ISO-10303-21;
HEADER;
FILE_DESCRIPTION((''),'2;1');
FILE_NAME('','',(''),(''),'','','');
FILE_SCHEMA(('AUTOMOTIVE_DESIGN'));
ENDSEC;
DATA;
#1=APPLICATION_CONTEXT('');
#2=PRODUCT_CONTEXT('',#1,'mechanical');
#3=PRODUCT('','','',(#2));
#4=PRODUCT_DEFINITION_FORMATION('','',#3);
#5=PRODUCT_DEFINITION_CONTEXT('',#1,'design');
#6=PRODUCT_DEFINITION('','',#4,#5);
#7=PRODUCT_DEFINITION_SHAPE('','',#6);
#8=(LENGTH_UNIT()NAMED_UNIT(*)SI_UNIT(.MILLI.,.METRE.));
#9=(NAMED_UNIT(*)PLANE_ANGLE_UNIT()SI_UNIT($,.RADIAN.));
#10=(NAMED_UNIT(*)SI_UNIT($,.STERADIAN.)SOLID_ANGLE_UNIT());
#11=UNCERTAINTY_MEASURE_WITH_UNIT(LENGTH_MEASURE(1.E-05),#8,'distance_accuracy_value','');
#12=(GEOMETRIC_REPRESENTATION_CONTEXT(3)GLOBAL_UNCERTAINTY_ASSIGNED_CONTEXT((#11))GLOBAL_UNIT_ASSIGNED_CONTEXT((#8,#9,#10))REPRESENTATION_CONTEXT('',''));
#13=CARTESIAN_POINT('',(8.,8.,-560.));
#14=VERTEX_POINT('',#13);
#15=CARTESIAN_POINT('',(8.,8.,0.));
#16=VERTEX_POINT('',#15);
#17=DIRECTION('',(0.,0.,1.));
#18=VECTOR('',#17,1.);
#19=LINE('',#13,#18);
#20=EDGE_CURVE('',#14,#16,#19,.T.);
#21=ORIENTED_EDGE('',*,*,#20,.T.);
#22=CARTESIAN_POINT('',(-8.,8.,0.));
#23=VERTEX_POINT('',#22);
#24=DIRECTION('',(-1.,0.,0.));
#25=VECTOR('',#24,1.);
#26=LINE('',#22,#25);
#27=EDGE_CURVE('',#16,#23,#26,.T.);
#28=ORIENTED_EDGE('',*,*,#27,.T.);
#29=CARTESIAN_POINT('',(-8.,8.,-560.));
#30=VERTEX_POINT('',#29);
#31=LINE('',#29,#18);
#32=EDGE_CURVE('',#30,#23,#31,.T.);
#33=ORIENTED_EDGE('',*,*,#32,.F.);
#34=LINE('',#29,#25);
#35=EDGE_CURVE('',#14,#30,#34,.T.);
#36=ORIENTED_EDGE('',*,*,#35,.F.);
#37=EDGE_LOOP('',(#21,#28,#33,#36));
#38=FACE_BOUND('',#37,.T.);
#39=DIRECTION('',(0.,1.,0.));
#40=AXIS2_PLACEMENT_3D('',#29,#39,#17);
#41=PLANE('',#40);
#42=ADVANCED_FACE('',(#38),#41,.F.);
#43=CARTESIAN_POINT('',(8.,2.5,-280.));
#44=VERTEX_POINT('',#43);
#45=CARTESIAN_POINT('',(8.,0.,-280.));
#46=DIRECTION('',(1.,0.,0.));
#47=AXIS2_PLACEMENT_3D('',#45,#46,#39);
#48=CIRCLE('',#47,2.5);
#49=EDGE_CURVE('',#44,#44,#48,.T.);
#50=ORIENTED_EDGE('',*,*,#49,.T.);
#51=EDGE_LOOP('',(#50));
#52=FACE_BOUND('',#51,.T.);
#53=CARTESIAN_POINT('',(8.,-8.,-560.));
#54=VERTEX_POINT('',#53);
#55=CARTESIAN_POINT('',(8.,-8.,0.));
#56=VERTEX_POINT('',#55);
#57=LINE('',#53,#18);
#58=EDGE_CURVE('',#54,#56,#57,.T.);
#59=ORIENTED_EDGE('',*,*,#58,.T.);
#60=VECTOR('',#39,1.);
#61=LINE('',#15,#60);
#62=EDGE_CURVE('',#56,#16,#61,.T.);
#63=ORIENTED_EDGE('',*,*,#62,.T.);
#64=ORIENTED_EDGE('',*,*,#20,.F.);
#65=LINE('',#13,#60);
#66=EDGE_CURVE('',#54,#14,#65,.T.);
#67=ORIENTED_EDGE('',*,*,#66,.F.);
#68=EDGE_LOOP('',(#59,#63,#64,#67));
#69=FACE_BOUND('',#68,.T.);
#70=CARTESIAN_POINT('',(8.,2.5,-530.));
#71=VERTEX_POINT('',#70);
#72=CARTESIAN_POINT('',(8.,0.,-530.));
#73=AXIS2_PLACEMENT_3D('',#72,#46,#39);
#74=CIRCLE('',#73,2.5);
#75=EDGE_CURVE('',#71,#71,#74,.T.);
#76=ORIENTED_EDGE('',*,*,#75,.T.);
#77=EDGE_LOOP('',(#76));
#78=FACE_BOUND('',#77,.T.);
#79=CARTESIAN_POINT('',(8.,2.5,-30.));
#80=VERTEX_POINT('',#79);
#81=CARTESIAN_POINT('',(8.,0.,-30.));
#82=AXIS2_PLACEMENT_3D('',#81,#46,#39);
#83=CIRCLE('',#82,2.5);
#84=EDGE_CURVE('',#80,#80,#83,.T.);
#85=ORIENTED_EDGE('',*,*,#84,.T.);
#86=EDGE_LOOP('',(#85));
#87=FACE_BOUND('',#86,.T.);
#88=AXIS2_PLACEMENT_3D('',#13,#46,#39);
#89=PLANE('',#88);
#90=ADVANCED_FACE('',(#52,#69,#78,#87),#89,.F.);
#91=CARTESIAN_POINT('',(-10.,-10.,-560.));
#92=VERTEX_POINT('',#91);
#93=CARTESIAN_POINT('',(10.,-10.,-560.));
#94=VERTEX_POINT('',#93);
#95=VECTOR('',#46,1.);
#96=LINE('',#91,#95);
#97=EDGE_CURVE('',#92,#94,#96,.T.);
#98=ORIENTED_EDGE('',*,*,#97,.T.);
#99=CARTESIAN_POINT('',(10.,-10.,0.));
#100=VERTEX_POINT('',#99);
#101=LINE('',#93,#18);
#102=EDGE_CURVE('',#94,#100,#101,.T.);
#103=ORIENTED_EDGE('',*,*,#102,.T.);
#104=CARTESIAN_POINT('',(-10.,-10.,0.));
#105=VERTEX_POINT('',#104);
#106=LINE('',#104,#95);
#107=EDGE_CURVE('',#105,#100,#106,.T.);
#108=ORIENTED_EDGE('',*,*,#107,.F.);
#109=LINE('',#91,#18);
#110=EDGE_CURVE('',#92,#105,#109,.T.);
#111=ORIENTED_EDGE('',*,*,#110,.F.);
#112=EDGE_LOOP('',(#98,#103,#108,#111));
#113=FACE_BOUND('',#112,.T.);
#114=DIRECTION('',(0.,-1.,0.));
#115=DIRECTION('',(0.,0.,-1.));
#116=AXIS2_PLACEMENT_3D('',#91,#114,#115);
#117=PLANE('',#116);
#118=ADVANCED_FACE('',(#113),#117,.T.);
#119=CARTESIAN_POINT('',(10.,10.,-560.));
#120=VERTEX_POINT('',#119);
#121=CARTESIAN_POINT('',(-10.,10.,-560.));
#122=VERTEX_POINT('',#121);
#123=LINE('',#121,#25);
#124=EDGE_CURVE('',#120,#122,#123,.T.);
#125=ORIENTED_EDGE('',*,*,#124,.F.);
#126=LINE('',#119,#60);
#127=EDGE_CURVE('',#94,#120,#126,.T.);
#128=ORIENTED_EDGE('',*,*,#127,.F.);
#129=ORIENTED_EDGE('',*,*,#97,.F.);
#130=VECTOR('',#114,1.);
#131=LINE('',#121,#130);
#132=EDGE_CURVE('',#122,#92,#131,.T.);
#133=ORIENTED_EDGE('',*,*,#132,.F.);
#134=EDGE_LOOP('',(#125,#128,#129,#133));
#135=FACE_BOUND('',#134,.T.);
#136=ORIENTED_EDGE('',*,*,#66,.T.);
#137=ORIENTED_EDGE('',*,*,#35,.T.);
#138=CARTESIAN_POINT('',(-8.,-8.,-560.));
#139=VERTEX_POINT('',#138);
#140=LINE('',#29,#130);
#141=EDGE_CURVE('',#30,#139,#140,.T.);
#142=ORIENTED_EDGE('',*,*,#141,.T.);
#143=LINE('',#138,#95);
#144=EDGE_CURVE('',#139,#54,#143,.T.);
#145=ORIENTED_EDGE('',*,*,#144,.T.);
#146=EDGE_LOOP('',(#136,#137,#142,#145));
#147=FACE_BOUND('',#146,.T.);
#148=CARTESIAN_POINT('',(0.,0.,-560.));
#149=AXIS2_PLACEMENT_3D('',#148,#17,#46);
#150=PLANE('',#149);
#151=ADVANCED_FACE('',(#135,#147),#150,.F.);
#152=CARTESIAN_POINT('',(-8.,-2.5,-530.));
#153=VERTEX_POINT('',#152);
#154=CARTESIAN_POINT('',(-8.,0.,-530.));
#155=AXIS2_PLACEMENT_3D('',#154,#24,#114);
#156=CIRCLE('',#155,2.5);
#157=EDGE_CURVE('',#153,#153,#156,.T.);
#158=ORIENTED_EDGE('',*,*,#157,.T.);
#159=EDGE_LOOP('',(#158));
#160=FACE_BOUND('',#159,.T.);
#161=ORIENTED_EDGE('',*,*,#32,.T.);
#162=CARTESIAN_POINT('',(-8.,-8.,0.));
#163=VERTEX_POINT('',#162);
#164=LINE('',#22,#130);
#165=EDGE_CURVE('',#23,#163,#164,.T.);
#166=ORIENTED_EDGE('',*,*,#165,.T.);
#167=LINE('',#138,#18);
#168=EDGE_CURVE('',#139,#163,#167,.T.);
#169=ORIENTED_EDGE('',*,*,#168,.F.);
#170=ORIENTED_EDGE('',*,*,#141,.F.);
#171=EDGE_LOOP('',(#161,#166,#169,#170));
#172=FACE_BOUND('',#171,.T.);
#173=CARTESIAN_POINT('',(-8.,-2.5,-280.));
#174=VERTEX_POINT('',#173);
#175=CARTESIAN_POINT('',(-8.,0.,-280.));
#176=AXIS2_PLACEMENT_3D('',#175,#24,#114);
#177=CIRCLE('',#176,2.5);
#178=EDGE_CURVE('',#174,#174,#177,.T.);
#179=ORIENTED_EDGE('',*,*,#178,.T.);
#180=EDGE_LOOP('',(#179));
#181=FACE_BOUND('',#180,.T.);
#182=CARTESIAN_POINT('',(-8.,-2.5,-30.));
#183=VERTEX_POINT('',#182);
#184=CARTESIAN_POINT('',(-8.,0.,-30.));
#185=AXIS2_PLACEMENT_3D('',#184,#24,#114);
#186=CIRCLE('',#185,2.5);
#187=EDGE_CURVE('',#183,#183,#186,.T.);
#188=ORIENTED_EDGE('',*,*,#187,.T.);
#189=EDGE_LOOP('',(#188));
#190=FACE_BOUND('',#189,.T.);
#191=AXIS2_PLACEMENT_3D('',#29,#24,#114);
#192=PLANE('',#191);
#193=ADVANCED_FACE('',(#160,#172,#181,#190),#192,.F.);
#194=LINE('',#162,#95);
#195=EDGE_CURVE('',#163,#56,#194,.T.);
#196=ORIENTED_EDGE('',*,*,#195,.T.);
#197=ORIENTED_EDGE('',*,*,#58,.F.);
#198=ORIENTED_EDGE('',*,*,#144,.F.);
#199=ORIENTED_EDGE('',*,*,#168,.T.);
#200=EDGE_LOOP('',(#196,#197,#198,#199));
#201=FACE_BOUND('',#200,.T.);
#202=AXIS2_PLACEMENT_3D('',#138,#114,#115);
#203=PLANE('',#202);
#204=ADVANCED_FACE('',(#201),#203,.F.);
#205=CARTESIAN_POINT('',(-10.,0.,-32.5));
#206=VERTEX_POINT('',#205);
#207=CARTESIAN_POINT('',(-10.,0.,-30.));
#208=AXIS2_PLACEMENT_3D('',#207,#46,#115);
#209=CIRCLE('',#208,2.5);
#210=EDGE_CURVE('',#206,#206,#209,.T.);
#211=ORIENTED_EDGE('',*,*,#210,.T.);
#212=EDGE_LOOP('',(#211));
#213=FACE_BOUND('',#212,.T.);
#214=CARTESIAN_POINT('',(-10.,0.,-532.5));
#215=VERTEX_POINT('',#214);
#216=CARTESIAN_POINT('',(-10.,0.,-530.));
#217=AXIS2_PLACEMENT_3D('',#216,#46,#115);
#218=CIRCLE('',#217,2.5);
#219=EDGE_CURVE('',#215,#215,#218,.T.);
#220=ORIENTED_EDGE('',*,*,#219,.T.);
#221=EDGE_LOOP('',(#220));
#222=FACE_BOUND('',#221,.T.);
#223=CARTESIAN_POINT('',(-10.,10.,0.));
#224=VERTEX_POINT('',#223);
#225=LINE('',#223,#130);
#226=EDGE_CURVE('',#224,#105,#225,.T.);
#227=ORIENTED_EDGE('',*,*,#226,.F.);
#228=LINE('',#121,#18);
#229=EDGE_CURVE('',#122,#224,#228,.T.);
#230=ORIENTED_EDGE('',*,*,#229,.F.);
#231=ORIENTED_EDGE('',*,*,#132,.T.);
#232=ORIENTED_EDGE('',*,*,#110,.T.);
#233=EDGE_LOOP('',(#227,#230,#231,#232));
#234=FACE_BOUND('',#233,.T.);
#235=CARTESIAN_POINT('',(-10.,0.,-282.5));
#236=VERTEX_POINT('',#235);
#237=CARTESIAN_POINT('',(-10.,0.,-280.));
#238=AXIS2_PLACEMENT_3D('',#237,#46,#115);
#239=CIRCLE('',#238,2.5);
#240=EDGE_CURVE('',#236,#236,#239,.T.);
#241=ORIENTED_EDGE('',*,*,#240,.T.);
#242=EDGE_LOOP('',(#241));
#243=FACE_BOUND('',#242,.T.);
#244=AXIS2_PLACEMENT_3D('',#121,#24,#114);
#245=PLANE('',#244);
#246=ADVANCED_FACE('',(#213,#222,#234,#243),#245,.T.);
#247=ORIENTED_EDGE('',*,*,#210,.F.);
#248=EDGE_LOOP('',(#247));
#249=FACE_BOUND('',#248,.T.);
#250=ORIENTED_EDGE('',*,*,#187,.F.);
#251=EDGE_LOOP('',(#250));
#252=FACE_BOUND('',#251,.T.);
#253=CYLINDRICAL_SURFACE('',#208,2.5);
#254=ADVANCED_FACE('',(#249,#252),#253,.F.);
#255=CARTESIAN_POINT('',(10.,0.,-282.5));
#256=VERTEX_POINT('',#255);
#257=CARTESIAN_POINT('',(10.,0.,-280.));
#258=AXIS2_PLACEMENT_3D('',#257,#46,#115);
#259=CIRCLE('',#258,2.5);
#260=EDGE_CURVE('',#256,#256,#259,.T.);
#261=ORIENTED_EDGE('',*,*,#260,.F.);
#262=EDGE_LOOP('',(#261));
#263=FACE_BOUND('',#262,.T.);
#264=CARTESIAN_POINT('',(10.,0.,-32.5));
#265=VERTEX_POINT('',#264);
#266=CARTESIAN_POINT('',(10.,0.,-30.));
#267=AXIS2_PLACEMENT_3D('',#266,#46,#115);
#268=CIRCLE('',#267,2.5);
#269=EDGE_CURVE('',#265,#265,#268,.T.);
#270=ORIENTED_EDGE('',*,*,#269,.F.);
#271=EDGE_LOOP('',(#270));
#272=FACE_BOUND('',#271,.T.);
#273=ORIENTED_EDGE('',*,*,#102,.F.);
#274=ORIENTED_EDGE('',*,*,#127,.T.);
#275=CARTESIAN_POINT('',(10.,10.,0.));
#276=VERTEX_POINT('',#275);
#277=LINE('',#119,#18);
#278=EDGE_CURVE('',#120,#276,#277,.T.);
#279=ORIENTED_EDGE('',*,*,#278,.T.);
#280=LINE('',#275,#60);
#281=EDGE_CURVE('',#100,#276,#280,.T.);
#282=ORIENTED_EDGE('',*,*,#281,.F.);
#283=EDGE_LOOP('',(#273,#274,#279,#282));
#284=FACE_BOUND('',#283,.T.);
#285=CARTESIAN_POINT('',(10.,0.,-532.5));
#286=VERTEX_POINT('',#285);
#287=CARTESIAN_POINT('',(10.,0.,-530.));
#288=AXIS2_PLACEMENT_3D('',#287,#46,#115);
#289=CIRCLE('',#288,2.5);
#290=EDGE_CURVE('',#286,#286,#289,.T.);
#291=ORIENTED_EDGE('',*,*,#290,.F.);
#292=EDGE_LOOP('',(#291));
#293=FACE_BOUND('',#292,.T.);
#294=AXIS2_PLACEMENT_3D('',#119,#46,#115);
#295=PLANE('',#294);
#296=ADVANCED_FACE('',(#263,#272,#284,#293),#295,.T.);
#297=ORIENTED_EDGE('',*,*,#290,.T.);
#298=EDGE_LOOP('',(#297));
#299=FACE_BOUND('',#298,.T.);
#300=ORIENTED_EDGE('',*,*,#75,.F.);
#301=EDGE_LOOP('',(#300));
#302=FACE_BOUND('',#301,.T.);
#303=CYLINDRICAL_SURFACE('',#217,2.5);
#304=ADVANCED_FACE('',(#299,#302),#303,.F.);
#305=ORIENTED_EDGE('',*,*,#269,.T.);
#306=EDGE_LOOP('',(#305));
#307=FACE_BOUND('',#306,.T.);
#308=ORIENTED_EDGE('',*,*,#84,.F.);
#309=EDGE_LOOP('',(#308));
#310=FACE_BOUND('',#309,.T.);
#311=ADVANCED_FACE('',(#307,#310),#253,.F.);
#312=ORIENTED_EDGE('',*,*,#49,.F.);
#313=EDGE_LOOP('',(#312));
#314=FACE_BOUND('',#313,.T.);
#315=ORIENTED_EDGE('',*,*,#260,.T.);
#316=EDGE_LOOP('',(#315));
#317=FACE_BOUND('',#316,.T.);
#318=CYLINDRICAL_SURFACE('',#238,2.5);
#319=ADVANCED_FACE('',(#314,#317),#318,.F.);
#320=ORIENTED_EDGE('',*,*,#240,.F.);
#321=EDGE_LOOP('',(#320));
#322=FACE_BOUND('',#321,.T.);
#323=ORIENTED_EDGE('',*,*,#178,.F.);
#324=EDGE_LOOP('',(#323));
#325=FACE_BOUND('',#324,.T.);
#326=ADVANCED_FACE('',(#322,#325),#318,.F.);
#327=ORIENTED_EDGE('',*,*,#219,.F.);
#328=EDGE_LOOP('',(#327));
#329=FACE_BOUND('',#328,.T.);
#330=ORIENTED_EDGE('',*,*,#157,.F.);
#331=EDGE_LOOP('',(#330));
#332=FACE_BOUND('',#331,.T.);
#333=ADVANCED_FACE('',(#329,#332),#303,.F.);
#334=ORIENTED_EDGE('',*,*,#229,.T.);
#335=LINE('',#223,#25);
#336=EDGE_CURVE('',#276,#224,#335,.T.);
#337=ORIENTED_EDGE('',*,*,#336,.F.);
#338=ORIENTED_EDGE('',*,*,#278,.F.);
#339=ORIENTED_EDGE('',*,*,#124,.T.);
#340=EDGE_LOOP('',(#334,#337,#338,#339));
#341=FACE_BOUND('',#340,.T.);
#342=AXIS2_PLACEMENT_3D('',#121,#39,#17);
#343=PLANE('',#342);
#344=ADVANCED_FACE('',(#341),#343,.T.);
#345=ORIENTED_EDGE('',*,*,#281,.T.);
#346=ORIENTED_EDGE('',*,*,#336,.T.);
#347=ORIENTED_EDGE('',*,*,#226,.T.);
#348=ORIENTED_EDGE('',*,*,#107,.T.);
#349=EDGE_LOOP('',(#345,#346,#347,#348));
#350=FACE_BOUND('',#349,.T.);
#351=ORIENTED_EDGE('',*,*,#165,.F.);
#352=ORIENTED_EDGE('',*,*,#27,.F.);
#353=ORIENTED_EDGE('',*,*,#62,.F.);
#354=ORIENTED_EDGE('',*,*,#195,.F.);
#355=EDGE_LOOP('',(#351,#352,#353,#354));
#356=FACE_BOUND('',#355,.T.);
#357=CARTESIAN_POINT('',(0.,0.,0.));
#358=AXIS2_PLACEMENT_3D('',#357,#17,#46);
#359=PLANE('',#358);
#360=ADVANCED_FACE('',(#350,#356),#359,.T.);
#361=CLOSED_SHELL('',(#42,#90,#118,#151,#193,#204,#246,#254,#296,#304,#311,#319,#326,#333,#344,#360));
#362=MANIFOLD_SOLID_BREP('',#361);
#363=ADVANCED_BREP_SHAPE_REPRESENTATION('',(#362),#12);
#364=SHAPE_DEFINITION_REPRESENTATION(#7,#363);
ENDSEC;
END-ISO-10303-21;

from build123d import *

# Parameters (mm, degrees)
SKETCH_1_W          = 20
SKETCH_1_H          = 20
SKETCH_1_W_2        = 16
SKETCH_1_H_2        = 16
EXTRUDE_1_DEPTH     = 560
SKETCH_2_R          = 2.5
CUT_EXTRUDE_1_DEPTH = 20


with BuildPart() as part:
    # 草图1 → 凸台-拉伸1 (new body)
    with BuildSketch(Plane.XY):
        Rectangle(SKETCH_1_W, SKETCH_1_H)
        Rectangle(SKETCH_1_W_2, SKETCH_1_H_2, mode=Mode.SUBTRACT)
    extrude(amount=-EXTRUDE_1_DEPTH)

    # 草图2 → 切除-拉伸1 (cut)
    with BuildSketch(Plane(origin=(10, 0, 0), x_dir=(0, 0, -1), z_dir=(1, 0, 0))):
        with Locations((280, 0)):
            Circle(SKETCH_2_R)
        with Locations((30, 0)):
            Circle(SKETCH_2_R)
        with Locations((530, 0)):
            Circle(SKETCH_2_R)
    extrude(amount=-CUT_EXTRUDE_1_DEPTH, mode=Mode.SUBTRACT)


solid = part.part
